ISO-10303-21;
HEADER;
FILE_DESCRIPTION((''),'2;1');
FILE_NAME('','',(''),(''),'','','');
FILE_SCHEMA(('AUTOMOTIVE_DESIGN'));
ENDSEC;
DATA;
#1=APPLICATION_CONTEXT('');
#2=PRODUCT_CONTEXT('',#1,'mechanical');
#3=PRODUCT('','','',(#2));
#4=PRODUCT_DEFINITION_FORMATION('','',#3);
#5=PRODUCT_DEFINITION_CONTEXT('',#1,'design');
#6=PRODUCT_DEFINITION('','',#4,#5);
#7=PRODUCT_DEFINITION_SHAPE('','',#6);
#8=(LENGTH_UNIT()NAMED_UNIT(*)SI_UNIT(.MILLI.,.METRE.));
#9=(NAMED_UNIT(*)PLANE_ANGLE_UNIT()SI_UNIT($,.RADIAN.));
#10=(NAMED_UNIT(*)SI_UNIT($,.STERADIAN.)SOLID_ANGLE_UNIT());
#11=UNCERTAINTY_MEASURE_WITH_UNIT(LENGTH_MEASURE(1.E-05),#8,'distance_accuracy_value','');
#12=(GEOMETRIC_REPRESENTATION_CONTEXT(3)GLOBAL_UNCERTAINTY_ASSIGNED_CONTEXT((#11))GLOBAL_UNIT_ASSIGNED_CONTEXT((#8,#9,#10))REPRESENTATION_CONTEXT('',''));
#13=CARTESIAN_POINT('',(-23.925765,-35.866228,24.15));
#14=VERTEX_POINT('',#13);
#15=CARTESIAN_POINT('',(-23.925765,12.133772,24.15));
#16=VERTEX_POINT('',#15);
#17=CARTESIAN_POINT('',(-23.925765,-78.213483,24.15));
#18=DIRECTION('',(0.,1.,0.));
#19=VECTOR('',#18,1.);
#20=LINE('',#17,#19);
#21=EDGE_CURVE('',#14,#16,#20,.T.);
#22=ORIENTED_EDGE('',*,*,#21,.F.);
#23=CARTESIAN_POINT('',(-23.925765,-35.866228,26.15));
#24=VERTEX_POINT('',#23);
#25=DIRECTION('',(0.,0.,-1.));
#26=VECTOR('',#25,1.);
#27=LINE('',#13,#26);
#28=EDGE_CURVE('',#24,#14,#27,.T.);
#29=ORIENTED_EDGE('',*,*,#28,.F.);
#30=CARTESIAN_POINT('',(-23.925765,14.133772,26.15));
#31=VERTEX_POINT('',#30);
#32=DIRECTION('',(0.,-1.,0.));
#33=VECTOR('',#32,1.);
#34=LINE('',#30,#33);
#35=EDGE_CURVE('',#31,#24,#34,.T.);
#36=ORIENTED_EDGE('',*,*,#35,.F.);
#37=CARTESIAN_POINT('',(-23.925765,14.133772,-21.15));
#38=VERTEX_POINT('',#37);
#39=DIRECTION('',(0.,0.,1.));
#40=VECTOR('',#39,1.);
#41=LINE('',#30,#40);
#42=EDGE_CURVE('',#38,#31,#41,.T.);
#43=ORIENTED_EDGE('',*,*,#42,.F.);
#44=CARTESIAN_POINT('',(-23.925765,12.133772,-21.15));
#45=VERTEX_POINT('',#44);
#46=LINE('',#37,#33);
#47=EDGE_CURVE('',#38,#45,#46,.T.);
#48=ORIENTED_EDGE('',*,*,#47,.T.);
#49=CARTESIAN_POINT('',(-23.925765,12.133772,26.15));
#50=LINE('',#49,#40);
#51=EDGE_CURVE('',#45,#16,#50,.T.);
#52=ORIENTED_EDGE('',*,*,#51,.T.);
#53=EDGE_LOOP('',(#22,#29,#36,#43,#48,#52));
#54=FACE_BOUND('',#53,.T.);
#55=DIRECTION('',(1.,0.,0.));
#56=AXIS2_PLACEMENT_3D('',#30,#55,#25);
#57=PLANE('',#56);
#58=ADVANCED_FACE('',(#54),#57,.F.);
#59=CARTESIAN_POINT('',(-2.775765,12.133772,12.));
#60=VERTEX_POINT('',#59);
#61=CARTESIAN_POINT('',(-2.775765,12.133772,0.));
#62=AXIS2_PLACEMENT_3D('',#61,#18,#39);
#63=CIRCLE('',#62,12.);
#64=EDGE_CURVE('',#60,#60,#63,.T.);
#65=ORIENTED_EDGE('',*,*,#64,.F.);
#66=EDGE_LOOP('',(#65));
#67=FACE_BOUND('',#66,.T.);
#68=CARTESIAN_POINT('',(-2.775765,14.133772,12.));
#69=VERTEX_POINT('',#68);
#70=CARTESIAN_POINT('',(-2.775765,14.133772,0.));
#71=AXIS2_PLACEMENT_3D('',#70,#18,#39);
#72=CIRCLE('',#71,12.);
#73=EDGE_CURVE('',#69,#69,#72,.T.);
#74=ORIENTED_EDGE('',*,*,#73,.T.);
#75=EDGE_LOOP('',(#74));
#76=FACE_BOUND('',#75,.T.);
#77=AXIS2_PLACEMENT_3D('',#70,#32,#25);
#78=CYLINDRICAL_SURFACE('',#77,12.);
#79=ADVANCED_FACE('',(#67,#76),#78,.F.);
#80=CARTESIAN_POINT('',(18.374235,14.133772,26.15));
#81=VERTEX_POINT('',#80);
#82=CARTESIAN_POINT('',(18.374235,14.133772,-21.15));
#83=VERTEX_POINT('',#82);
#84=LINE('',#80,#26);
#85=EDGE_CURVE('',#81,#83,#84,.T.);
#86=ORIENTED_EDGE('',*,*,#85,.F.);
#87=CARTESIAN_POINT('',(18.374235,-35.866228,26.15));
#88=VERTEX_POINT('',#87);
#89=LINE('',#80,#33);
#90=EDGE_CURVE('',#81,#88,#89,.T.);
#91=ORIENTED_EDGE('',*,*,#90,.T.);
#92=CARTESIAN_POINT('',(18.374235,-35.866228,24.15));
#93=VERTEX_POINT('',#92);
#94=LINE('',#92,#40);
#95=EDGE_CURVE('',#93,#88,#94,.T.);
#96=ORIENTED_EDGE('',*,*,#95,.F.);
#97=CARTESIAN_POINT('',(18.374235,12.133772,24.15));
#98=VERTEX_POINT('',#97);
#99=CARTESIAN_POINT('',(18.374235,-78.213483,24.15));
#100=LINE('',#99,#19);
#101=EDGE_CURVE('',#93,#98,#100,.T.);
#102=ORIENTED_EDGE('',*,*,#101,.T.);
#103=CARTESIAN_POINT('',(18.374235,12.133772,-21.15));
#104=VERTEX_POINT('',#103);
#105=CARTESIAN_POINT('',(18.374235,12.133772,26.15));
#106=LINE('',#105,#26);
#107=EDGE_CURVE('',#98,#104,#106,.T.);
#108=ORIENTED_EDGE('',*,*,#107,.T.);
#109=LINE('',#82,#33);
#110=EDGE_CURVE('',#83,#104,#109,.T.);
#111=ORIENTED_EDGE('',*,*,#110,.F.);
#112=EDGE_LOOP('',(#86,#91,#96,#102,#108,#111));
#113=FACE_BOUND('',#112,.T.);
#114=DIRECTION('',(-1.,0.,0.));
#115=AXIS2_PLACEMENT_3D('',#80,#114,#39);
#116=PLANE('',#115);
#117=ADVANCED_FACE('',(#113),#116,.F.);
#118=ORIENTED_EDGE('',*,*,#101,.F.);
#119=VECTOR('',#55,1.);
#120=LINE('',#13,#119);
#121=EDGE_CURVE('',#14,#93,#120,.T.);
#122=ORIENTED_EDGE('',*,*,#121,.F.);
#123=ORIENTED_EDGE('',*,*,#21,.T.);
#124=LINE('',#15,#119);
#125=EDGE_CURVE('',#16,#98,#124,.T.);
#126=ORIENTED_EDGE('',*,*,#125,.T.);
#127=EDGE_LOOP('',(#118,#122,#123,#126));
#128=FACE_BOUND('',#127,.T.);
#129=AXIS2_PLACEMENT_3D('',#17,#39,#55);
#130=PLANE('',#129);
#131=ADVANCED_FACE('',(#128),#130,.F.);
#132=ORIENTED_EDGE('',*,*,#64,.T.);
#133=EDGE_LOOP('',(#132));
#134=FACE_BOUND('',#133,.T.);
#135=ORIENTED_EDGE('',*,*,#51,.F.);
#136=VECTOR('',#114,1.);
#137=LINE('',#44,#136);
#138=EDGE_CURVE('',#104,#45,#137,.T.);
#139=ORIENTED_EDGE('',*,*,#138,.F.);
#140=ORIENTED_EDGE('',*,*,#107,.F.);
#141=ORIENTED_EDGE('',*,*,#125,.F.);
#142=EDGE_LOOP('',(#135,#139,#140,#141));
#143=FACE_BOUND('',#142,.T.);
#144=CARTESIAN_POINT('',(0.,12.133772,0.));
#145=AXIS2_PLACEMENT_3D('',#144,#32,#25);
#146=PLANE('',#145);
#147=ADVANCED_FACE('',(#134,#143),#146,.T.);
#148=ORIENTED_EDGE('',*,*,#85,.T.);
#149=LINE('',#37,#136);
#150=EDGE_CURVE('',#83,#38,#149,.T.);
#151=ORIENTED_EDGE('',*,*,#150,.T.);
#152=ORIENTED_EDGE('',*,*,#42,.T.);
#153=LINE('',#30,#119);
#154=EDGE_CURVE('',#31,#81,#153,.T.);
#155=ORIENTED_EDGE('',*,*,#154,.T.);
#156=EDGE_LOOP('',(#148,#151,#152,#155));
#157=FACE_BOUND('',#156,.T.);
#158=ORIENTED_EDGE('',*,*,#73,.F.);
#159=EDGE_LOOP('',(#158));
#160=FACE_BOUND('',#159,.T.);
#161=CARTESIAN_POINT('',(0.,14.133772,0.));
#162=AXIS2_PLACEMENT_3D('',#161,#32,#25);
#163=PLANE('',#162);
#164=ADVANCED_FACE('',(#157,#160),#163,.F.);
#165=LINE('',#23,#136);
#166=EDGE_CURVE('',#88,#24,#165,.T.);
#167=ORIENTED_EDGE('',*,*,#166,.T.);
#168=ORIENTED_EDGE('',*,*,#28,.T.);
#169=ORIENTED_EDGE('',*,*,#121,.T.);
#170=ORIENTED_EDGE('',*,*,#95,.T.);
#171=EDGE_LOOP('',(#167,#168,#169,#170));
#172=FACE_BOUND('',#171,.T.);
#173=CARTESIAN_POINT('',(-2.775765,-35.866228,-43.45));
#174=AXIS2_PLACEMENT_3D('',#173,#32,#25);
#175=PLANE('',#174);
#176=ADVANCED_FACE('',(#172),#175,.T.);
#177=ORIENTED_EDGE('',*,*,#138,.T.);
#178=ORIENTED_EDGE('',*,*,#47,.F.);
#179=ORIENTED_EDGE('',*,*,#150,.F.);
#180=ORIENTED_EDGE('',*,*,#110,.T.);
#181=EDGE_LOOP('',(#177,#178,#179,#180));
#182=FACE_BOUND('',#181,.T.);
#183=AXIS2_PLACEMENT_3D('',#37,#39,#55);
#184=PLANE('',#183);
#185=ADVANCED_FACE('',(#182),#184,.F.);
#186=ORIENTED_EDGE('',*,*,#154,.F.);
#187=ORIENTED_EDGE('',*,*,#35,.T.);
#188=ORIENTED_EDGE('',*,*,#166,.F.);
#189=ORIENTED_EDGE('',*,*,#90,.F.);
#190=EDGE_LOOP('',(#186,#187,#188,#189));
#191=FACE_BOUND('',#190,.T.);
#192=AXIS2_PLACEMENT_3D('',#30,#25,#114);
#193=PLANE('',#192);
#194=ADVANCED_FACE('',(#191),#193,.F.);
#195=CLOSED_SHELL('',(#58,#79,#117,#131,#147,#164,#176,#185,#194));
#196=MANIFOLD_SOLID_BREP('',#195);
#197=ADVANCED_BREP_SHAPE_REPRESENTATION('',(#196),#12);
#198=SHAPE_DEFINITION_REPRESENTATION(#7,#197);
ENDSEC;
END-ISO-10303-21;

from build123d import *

# Parameters (mm, degrees)
SKIZZE1_W                       = 42.3
SKIZZE1_H                       = 47.3
SKIZZE1_R                       = 12
AUFSATZ_LINEAR_AUSTRAGEN1_DEPTH = 2
SKIZZE2_W                       = 42.3
SKIZZE2_H                       = 2
AUFSATZ_LINEAR_AUSTRAGEN2_DEPTH = 48


with BuildPart() as part:
    # Skizze1 → Aufsatz-Linear austragen1 (new body)
    with BuildSketch(Plane(origin=(0, 12.133771831, 0), x_dir=(1, 0, 0), z_dir=(0, 1, 0))):
        with Locations((-2.775765494, -2.5)):
            Rectangle(SKIZZE1_W, SKIZZE1_H)
        with Locations(Location((-2.775765494, 0, 0), (0, 0, 270))):
            Circle(SKIZZE1_R, mode=Mode.SUBTRACT)
    extrude(amount=AUFSATZ_LINEAR_AUSTRAGEN1_DEPTH)

    # Skizze2 → Aufsatz-Linear austragen2 (add)
    with BuildSketch(Plane.XZ.offset(-12.133771831)):
        with Locations((-2.775765494, 25.15)):
            Rectangle(SKIZZE2_W, SKIZZE2_H)
    extrude(amount=AUFSATZ_LINEAR_AUSTRAGEN2_DEPTH)


solid = part.part
